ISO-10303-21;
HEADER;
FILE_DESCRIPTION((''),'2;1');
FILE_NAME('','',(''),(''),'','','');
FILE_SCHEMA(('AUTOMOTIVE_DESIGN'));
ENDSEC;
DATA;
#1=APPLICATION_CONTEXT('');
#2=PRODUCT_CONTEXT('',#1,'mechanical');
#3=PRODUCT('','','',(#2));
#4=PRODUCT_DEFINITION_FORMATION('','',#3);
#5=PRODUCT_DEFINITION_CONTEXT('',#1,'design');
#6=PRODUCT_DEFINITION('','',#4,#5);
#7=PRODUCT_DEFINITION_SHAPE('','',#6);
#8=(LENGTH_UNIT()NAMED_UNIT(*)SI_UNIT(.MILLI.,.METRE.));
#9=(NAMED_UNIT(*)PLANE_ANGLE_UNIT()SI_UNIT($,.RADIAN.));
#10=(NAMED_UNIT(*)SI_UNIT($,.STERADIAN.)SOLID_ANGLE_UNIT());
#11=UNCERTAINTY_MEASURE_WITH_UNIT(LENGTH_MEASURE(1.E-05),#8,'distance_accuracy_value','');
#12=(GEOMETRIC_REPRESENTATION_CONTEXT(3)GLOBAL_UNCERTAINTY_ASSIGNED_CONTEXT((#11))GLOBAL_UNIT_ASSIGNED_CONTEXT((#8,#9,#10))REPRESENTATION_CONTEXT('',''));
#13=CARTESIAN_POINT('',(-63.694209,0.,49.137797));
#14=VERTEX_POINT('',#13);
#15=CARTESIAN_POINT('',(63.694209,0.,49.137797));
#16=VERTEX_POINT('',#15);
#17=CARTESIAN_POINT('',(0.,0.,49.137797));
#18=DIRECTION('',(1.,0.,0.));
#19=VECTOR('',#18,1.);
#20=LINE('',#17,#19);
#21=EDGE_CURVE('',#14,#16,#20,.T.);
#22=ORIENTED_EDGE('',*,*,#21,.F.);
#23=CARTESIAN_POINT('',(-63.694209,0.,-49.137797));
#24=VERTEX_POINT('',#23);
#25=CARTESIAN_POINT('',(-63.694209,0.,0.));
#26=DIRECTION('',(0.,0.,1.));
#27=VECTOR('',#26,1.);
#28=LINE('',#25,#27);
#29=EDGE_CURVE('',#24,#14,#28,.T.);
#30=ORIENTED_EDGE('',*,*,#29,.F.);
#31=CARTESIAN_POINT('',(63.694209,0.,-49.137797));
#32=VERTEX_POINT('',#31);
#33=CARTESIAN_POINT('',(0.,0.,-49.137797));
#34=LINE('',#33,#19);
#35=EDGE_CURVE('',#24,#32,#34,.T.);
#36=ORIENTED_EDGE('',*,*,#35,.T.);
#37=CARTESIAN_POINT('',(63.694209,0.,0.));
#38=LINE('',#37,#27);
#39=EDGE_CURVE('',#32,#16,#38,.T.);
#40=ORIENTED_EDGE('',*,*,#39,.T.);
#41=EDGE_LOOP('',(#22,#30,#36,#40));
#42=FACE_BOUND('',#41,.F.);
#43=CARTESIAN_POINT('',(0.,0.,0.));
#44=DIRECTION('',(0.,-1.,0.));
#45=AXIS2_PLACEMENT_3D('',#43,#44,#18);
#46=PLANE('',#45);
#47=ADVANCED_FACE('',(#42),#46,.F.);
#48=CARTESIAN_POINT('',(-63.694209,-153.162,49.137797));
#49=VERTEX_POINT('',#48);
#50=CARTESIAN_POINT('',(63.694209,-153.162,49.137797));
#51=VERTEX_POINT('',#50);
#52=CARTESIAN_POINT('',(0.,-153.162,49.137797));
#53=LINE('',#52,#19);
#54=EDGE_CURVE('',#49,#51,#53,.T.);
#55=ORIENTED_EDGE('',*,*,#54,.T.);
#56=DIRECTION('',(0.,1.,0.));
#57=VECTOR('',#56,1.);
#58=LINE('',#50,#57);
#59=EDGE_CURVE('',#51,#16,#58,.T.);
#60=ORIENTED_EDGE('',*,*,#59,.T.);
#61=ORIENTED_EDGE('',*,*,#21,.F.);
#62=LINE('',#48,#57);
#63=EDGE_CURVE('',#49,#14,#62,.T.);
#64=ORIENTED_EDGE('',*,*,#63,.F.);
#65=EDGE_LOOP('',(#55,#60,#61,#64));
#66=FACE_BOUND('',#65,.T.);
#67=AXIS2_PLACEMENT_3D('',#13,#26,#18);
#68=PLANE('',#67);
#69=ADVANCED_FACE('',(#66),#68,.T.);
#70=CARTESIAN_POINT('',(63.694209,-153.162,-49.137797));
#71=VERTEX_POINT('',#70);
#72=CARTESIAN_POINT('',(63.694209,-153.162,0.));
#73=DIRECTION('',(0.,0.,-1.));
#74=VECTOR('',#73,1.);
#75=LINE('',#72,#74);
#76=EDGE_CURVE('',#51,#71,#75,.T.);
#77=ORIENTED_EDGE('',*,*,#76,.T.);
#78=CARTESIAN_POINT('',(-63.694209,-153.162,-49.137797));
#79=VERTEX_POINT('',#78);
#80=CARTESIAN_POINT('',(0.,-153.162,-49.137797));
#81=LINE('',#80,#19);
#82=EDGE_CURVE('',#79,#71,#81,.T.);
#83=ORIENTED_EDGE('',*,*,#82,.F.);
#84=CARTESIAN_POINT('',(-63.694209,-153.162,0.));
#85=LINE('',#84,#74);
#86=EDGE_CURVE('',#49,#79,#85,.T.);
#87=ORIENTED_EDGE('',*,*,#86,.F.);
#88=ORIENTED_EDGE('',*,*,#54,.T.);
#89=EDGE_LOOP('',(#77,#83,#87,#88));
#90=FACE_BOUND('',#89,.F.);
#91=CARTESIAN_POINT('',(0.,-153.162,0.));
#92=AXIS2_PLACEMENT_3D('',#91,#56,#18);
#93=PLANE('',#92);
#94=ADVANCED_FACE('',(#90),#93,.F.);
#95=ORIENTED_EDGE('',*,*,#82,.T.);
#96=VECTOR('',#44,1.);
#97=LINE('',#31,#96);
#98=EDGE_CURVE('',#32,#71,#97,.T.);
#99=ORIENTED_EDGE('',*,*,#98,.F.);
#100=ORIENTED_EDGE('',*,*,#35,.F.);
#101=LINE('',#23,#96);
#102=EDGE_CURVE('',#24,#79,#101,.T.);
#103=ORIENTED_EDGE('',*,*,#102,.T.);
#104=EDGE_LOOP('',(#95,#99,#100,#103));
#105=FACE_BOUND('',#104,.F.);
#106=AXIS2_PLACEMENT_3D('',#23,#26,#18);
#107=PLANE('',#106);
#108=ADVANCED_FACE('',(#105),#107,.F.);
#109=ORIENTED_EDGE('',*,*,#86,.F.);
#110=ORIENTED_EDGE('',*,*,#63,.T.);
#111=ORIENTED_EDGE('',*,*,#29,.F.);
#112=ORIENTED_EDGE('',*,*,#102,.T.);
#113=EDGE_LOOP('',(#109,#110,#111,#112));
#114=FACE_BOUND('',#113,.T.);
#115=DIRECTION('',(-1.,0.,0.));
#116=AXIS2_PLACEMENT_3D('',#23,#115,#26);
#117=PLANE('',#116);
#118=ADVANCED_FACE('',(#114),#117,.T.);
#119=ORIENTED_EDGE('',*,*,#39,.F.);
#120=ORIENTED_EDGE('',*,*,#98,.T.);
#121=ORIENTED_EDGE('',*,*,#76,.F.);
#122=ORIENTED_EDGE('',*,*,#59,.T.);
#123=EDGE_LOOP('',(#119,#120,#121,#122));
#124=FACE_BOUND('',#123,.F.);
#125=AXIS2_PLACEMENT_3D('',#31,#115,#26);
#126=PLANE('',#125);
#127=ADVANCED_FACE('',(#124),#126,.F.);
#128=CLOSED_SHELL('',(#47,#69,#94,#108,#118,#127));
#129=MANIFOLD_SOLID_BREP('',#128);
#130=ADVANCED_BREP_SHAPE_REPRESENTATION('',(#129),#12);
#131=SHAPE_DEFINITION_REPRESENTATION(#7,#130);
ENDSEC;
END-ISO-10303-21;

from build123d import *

# Parameters (mm, degrees)
F0_R      = 25.079521
F1_DEPTH  = 127
F0_W      = 127.388418
F0_H      = 98.275594
F2_DEPTH  = 25.4
F3_R      = 5.08
F2_FACE_W = 127.388418
F2_FACE_H = 98.275594
F4_DEPTH  = 153.162


with BuildPart() as f1:
    # F0 (on Front) → F1 (new body)
    with BuildSketch(Plane.XZ):
        Circle(F0_R)
    extrude(amount=F1_DEPTH)

    # F0 (on Front) → F2 (join)
    with BuildSketch(Plane.XZ):
        Rectangle(F0_W, F0_H)
        Circle(F0_R, mode=Mode.SUBTRACT)
    extrude(amount=F2_DEPTH)

    # F3
    f3_edges = [f1.edges().sort_by_distance(p)[0] for p in [
        (-25.079521, -25.4, 0),
        (-25.079521, -127, 0),
    ]]
    fillet(f3_edges, radius=F3_R)

    # F2_face (on face) → F4 (join)
    with BuildSketch(Plane(origin=(0, 0, 0), x_dir=(1, 0, 0), z_dir=(0, 1, 0))):
        Rectangle(F2_FACE_W, F2_FACE_H)
    extrude(amount=-F4_DEPTH)


solid = f1.part
